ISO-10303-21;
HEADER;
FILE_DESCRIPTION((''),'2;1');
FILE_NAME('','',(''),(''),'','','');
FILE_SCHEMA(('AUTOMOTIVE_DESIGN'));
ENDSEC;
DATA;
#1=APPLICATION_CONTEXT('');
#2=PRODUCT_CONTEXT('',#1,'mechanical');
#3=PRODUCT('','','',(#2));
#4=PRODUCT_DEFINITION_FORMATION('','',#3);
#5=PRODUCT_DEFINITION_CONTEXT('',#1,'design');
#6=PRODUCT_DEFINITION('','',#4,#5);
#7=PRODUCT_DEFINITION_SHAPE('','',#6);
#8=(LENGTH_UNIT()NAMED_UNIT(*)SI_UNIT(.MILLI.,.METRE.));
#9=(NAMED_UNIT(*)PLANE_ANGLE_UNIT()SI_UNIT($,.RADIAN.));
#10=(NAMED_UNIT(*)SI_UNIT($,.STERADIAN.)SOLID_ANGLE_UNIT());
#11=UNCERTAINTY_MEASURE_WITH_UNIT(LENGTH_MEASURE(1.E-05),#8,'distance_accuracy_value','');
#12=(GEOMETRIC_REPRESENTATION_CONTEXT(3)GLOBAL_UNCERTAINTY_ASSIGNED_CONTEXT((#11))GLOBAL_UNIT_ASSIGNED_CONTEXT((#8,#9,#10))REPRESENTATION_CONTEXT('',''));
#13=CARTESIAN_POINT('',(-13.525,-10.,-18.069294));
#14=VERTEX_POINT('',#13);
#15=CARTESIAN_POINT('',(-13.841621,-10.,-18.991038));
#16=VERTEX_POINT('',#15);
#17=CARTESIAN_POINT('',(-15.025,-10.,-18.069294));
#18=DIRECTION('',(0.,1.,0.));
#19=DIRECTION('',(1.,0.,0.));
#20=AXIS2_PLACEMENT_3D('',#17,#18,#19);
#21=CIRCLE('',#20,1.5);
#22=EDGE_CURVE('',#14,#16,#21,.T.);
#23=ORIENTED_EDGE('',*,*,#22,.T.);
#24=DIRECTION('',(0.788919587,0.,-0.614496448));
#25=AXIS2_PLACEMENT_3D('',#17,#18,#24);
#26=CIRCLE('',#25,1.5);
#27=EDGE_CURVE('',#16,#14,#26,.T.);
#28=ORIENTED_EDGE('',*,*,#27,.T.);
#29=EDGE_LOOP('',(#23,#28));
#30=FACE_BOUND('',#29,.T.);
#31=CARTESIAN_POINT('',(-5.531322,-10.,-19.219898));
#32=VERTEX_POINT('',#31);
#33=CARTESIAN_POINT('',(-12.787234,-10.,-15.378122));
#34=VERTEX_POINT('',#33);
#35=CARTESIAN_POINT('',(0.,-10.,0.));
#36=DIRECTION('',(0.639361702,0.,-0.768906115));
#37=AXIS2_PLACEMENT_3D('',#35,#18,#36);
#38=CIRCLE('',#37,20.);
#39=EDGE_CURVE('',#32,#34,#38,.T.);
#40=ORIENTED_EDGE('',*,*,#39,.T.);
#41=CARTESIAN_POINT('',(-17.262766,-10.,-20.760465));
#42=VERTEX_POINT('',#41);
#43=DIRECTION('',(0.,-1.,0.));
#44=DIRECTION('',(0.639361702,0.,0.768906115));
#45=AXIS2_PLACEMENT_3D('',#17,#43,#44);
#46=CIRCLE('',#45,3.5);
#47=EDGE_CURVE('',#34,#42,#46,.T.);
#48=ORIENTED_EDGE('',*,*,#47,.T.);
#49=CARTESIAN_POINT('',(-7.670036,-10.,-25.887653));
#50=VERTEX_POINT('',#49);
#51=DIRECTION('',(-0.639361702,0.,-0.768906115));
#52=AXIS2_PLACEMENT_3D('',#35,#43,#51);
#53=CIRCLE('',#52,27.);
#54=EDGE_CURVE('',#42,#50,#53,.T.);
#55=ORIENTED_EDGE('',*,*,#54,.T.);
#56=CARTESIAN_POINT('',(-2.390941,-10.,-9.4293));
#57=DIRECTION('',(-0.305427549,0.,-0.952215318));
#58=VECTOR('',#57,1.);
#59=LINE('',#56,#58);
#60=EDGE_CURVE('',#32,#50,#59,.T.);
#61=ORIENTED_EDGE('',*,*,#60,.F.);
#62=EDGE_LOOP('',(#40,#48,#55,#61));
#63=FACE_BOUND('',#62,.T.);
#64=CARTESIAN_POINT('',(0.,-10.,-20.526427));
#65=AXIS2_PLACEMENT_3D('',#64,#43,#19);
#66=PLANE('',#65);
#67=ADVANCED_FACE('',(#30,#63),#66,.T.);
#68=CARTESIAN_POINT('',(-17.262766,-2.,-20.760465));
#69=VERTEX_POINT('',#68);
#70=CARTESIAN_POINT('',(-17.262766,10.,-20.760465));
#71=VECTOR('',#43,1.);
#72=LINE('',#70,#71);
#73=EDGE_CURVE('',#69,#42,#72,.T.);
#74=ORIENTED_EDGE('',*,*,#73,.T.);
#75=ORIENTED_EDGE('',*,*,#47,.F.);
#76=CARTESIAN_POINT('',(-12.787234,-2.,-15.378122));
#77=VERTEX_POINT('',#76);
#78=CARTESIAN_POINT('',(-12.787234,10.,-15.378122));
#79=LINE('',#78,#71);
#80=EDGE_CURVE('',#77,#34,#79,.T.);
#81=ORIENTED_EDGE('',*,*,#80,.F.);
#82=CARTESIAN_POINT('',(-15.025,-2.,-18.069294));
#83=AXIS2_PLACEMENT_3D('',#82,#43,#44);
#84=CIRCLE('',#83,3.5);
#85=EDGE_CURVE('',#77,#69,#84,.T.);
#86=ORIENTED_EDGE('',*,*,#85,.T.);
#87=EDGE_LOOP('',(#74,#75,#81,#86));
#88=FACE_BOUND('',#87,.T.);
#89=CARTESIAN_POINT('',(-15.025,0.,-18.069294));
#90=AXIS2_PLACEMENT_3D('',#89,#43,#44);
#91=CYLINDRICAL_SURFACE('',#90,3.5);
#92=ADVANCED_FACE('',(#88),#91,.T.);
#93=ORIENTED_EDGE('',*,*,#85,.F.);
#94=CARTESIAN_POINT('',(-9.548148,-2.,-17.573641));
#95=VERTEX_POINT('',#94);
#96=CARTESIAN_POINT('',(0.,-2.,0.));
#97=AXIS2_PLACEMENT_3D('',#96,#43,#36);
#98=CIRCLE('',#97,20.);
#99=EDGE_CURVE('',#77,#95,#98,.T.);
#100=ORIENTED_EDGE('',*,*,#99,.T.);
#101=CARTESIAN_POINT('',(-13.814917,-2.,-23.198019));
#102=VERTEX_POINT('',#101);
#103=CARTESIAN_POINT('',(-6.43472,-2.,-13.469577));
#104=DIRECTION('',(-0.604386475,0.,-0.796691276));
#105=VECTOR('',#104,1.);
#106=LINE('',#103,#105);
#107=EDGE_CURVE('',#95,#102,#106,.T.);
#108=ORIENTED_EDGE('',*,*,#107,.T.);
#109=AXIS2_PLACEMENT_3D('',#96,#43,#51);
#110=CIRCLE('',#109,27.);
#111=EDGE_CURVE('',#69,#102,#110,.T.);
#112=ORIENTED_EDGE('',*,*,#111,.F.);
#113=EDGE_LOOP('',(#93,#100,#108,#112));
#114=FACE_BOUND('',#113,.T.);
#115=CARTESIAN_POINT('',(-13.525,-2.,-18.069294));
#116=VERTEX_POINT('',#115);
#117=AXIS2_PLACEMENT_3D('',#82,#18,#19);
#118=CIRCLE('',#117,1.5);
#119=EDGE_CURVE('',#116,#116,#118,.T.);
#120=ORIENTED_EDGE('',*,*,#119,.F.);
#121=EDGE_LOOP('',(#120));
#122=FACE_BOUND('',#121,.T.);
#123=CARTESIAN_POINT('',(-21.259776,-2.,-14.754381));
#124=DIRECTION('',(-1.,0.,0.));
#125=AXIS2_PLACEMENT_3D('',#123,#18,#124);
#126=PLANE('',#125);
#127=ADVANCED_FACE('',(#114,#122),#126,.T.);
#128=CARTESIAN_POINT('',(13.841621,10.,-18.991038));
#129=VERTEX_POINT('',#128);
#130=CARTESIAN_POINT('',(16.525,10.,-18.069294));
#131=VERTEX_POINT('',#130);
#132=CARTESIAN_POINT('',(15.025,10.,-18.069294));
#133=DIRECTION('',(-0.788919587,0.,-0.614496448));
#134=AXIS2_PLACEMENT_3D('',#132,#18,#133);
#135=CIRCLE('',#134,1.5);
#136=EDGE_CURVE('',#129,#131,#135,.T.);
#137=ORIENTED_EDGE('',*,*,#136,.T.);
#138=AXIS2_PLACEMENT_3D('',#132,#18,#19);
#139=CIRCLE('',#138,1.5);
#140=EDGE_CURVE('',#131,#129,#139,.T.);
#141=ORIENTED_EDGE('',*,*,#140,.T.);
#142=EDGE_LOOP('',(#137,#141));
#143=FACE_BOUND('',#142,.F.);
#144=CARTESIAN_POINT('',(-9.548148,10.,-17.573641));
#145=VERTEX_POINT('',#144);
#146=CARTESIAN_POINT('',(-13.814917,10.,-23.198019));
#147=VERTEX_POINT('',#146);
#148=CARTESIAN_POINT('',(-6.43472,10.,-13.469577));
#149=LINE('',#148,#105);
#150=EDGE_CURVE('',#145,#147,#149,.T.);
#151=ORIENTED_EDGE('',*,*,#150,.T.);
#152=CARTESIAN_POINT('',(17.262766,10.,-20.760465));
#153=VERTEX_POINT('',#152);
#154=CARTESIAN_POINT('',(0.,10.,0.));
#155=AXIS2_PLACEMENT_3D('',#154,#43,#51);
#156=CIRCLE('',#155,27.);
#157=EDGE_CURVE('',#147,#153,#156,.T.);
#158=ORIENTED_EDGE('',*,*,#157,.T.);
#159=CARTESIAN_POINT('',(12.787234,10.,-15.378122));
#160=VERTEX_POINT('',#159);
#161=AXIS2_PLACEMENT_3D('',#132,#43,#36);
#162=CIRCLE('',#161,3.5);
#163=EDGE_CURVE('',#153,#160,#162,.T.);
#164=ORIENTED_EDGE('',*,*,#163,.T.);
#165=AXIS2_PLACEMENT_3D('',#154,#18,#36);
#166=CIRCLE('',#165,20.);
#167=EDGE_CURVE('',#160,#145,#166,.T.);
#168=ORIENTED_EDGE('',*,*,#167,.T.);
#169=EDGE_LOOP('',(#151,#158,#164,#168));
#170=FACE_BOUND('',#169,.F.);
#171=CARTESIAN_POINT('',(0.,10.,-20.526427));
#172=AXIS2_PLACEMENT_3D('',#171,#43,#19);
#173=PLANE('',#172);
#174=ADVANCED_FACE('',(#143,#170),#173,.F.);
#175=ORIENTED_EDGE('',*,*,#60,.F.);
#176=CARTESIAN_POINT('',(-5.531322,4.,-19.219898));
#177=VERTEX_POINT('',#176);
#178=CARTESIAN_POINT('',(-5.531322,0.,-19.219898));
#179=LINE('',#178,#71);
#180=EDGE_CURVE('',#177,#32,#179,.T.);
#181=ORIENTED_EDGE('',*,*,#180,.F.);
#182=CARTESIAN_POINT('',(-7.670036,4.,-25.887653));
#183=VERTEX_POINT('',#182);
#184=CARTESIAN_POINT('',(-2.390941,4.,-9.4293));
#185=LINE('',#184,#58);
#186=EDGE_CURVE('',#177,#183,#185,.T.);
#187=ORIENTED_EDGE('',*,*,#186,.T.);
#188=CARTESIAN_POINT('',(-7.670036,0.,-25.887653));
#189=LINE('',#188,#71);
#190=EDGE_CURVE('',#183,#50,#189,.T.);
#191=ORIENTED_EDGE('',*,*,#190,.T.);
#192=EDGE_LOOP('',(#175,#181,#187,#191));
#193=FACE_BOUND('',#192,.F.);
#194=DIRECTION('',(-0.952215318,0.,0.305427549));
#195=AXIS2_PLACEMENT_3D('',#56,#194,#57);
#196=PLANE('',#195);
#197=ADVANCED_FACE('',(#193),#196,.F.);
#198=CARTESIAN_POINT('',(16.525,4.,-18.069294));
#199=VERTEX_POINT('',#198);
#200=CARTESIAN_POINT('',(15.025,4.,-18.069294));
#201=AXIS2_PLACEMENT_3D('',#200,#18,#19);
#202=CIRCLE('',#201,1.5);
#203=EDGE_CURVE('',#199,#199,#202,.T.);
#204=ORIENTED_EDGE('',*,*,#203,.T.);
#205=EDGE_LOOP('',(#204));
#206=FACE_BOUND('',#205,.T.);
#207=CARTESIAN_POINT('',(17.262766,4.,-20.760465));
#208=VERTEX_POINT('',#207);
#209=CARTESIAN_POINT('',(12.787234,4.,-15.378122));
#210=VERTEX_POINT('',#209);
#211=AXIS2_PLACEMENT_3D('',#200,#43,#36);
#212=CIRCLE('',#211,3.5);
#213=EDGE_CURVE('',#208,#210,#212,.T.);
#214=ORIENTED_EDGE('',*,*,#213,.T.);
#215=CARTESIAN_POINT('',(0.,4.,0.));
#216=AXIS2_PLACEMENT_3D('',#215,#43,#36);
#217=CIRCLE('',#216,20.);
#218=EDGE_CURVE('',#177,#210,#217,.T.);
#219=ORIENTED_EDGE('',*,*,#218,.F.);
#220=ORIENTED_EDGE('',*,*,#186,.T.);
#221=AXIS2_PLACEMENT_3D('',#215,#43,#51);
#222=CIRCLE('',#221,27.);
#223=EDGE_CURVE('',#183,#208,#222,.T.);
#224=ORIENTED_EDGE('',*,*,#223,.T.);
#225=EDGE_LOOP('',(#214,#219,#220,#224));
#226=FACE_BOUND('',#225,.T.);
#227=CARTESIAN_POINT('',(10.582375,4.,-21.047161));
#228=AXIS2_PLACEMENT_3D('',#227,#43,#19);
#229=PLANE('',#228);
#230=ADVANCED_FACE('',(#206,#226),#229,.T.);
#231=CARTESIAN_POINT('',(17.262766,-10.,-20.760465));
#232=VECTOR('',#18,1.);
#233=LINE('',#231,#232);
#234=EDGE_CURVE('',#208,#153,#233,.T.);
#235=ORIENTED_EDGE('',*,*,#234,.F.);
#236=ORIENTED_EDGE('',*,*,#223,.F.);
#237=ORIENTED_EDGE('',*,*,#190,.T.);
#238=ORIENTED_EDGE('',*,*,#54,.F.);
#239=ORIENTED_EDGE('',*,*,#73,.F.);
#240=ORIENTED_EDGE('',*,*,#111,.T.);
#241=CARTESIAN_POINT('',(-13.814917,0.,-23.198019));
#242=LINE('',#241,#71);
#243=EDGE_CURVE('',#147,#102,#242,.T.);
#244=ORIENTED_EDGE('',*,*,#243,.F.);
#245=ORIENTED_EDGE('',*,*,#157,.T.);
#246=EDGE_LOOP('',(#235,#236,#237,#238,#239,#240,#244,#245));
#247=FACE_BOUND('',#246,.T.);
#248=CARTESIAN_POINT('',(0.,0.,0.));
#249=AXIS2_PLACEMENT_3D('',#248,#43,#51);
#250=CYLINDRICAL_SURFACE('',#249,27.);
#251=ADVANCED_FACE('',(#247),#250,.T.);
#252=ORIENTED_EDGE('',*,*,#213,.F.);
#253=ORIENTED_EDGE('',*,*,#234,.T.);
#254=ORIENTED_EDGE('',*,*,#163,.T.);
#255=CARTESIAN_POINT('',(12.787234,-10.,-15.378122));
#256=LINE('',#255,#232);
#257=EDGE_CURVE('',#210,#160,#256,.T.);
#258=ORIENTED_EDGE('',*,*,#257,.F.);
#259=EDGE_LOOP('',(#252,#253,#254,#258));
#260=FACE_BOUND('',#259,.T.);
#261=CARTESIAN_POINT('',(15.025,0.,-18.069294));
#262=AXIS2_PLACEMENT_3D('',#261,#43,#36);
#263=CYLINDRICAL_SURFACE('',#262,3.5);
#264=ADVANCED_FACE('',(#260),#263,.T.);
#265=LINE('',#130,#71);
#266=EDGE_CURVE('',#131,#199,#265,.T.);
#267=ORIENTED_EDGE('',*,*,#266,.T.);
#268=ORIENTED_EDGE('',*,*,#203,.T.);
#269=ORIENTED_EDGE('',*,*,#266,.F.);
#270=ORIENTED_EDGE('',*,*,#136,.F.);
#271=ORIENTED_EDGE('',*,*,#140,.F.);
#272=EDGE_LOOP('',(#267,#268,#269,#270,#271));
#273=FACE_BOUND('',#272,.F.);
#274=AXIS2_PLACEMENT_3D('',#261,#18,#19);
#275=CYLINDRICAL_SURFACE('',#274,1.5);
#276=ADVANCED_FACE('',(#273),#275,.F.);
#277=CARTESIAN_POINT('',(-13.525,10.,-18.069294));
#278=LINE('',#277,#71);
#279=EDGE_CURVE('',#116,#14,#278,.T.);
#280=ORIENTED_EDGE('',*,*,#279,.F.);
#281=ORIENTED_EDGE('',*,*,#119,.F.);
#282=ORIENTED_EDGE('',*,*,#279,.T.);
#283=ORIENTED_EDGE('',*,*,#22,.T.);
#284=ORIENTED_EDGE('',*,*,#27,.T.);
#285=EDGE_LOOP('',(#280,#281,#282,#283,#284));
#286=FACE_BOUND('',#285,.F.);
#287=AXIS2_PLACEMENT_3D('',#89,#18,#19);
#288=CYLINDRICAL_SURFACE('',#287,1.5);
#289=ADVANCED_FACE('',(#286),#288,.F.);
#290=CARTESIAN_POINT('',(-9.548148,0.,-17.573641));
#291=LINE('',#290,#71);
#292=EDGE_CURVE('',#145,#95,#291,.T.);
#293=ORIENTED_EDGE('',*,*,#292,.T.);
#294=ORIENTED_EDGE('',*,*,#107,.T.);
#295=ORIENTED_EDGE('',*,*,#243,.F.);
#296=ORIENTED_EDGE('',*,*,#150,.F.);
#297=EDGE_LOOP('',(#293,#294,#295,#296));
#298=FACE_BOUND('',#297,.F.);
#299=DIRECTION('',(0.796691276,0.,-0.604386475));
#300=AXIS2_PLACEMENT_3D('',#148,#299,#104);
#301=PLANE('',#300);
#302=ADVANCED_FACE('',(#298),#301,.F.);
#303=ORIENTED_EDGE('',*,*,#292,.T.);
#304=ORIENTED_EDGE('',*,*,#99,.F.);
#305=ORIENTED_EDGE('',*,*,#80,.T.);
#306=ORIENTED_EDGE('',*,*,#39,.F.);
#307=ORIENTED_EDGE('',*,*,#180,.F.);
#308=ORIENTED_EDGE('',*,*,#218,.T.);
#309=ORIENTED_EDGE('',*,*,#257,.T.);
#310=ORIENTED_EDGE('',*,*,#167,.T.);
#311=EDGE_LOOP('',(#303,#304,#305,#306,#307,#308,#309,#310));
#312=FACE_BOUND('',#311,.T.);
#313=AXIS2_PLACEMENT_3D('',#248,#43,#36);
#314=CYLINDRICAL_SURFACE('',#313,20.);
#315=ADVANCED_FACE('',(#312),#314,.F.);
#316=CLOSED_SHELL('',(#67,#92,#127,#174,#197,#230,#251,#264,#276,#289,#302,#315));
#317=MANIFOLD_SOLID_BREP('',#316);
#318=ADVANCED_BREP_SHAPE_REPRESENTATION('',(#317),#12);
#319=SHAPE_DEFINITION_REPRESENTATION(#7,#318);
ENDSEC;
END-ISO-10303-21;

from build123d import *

# Parameters (mm, degrees)
F1_DEPTH = 10
F3_DEPTH = 14
F5_DEPTH = 12


with BuildPart() as f1:
    # F0 (on Front) → F1 (new body, symmetric)
    with BuildSketch(Plane.XZ):
        with BuildLine():
            ThreePointArc((12.7872340426, -15.3781223022), (0, -20), (-12.7872340426, -15.3781223022))
            ThreePointArc((-12.7872340426, -15.3781223022), (-17.7161714029, -15.8315277476), (-17.2627659574, -20.760465108))
            ThreePointArc((-17.2627659574, -20.760465108), (0, -27), (17.2627659574, -20.760465108))
            ThreePointArc((17.2627659574, -20.760465108), (17.7161714029, -15.8315277476), (12.7872340426, -15.3781223022))
        make_face()
        with BuildLine():
            ThreePointArc((-13.525, -18.0692937051), (-13.6063617319, -18.556597988), (-13.8416206189, -18.9910383771))
            ThreePointArc((-13.8416206189, -18.9910383771), (-16.4436382681, -17.5819894221), (-13.525, -18.0692937051))
        make_face(mode=Mode.SUBTRACT)
        with BuildLine():
            ThreePointArc((16.525, -18.0692937051), (15.512304283, -19.4879319732), (13.8416206189, -18.9910383771))
            ThreePointArc((13.8416206189, -18.9910383771), (14.537695717, -16.6506554369), (16.525, -18.0692937051))
        make_face(mode=Mode.SUBTRACT)
    extrude(amount=F1_DEPTH, both=True)

    # F2 (on face) → F3 (cut)
    with BuildSketch(Plane.XZ.offset(10)):
        Polygon((-2.3909412976, -9.4292996609), (-9.1462977059, -30.4901171085), (24.7288569808, -31.99012205), (30.0422031432, -11.7994137108), align=None)
    extrude(amount=-F3_DEPTH, mode=Mode.SUBTRACT)

    # F4 (on face) → F5 (cut)
    with BuildSketch(Plane(origin=(0, 10, 0), x_dir=(-1, 0, 0), z_dir=(0, 1, 0))):
        Polygon((13.4975397959, -6.4067570493), (6.4347200096, -13.4695768356), (17.8041364998, -28.4565351903), (37.6144833863, -8.6461873725), align=None)
    extrude(amount=-F5_DEPTH, mode=Mode.SUBTRACT)


solid = f1.part
